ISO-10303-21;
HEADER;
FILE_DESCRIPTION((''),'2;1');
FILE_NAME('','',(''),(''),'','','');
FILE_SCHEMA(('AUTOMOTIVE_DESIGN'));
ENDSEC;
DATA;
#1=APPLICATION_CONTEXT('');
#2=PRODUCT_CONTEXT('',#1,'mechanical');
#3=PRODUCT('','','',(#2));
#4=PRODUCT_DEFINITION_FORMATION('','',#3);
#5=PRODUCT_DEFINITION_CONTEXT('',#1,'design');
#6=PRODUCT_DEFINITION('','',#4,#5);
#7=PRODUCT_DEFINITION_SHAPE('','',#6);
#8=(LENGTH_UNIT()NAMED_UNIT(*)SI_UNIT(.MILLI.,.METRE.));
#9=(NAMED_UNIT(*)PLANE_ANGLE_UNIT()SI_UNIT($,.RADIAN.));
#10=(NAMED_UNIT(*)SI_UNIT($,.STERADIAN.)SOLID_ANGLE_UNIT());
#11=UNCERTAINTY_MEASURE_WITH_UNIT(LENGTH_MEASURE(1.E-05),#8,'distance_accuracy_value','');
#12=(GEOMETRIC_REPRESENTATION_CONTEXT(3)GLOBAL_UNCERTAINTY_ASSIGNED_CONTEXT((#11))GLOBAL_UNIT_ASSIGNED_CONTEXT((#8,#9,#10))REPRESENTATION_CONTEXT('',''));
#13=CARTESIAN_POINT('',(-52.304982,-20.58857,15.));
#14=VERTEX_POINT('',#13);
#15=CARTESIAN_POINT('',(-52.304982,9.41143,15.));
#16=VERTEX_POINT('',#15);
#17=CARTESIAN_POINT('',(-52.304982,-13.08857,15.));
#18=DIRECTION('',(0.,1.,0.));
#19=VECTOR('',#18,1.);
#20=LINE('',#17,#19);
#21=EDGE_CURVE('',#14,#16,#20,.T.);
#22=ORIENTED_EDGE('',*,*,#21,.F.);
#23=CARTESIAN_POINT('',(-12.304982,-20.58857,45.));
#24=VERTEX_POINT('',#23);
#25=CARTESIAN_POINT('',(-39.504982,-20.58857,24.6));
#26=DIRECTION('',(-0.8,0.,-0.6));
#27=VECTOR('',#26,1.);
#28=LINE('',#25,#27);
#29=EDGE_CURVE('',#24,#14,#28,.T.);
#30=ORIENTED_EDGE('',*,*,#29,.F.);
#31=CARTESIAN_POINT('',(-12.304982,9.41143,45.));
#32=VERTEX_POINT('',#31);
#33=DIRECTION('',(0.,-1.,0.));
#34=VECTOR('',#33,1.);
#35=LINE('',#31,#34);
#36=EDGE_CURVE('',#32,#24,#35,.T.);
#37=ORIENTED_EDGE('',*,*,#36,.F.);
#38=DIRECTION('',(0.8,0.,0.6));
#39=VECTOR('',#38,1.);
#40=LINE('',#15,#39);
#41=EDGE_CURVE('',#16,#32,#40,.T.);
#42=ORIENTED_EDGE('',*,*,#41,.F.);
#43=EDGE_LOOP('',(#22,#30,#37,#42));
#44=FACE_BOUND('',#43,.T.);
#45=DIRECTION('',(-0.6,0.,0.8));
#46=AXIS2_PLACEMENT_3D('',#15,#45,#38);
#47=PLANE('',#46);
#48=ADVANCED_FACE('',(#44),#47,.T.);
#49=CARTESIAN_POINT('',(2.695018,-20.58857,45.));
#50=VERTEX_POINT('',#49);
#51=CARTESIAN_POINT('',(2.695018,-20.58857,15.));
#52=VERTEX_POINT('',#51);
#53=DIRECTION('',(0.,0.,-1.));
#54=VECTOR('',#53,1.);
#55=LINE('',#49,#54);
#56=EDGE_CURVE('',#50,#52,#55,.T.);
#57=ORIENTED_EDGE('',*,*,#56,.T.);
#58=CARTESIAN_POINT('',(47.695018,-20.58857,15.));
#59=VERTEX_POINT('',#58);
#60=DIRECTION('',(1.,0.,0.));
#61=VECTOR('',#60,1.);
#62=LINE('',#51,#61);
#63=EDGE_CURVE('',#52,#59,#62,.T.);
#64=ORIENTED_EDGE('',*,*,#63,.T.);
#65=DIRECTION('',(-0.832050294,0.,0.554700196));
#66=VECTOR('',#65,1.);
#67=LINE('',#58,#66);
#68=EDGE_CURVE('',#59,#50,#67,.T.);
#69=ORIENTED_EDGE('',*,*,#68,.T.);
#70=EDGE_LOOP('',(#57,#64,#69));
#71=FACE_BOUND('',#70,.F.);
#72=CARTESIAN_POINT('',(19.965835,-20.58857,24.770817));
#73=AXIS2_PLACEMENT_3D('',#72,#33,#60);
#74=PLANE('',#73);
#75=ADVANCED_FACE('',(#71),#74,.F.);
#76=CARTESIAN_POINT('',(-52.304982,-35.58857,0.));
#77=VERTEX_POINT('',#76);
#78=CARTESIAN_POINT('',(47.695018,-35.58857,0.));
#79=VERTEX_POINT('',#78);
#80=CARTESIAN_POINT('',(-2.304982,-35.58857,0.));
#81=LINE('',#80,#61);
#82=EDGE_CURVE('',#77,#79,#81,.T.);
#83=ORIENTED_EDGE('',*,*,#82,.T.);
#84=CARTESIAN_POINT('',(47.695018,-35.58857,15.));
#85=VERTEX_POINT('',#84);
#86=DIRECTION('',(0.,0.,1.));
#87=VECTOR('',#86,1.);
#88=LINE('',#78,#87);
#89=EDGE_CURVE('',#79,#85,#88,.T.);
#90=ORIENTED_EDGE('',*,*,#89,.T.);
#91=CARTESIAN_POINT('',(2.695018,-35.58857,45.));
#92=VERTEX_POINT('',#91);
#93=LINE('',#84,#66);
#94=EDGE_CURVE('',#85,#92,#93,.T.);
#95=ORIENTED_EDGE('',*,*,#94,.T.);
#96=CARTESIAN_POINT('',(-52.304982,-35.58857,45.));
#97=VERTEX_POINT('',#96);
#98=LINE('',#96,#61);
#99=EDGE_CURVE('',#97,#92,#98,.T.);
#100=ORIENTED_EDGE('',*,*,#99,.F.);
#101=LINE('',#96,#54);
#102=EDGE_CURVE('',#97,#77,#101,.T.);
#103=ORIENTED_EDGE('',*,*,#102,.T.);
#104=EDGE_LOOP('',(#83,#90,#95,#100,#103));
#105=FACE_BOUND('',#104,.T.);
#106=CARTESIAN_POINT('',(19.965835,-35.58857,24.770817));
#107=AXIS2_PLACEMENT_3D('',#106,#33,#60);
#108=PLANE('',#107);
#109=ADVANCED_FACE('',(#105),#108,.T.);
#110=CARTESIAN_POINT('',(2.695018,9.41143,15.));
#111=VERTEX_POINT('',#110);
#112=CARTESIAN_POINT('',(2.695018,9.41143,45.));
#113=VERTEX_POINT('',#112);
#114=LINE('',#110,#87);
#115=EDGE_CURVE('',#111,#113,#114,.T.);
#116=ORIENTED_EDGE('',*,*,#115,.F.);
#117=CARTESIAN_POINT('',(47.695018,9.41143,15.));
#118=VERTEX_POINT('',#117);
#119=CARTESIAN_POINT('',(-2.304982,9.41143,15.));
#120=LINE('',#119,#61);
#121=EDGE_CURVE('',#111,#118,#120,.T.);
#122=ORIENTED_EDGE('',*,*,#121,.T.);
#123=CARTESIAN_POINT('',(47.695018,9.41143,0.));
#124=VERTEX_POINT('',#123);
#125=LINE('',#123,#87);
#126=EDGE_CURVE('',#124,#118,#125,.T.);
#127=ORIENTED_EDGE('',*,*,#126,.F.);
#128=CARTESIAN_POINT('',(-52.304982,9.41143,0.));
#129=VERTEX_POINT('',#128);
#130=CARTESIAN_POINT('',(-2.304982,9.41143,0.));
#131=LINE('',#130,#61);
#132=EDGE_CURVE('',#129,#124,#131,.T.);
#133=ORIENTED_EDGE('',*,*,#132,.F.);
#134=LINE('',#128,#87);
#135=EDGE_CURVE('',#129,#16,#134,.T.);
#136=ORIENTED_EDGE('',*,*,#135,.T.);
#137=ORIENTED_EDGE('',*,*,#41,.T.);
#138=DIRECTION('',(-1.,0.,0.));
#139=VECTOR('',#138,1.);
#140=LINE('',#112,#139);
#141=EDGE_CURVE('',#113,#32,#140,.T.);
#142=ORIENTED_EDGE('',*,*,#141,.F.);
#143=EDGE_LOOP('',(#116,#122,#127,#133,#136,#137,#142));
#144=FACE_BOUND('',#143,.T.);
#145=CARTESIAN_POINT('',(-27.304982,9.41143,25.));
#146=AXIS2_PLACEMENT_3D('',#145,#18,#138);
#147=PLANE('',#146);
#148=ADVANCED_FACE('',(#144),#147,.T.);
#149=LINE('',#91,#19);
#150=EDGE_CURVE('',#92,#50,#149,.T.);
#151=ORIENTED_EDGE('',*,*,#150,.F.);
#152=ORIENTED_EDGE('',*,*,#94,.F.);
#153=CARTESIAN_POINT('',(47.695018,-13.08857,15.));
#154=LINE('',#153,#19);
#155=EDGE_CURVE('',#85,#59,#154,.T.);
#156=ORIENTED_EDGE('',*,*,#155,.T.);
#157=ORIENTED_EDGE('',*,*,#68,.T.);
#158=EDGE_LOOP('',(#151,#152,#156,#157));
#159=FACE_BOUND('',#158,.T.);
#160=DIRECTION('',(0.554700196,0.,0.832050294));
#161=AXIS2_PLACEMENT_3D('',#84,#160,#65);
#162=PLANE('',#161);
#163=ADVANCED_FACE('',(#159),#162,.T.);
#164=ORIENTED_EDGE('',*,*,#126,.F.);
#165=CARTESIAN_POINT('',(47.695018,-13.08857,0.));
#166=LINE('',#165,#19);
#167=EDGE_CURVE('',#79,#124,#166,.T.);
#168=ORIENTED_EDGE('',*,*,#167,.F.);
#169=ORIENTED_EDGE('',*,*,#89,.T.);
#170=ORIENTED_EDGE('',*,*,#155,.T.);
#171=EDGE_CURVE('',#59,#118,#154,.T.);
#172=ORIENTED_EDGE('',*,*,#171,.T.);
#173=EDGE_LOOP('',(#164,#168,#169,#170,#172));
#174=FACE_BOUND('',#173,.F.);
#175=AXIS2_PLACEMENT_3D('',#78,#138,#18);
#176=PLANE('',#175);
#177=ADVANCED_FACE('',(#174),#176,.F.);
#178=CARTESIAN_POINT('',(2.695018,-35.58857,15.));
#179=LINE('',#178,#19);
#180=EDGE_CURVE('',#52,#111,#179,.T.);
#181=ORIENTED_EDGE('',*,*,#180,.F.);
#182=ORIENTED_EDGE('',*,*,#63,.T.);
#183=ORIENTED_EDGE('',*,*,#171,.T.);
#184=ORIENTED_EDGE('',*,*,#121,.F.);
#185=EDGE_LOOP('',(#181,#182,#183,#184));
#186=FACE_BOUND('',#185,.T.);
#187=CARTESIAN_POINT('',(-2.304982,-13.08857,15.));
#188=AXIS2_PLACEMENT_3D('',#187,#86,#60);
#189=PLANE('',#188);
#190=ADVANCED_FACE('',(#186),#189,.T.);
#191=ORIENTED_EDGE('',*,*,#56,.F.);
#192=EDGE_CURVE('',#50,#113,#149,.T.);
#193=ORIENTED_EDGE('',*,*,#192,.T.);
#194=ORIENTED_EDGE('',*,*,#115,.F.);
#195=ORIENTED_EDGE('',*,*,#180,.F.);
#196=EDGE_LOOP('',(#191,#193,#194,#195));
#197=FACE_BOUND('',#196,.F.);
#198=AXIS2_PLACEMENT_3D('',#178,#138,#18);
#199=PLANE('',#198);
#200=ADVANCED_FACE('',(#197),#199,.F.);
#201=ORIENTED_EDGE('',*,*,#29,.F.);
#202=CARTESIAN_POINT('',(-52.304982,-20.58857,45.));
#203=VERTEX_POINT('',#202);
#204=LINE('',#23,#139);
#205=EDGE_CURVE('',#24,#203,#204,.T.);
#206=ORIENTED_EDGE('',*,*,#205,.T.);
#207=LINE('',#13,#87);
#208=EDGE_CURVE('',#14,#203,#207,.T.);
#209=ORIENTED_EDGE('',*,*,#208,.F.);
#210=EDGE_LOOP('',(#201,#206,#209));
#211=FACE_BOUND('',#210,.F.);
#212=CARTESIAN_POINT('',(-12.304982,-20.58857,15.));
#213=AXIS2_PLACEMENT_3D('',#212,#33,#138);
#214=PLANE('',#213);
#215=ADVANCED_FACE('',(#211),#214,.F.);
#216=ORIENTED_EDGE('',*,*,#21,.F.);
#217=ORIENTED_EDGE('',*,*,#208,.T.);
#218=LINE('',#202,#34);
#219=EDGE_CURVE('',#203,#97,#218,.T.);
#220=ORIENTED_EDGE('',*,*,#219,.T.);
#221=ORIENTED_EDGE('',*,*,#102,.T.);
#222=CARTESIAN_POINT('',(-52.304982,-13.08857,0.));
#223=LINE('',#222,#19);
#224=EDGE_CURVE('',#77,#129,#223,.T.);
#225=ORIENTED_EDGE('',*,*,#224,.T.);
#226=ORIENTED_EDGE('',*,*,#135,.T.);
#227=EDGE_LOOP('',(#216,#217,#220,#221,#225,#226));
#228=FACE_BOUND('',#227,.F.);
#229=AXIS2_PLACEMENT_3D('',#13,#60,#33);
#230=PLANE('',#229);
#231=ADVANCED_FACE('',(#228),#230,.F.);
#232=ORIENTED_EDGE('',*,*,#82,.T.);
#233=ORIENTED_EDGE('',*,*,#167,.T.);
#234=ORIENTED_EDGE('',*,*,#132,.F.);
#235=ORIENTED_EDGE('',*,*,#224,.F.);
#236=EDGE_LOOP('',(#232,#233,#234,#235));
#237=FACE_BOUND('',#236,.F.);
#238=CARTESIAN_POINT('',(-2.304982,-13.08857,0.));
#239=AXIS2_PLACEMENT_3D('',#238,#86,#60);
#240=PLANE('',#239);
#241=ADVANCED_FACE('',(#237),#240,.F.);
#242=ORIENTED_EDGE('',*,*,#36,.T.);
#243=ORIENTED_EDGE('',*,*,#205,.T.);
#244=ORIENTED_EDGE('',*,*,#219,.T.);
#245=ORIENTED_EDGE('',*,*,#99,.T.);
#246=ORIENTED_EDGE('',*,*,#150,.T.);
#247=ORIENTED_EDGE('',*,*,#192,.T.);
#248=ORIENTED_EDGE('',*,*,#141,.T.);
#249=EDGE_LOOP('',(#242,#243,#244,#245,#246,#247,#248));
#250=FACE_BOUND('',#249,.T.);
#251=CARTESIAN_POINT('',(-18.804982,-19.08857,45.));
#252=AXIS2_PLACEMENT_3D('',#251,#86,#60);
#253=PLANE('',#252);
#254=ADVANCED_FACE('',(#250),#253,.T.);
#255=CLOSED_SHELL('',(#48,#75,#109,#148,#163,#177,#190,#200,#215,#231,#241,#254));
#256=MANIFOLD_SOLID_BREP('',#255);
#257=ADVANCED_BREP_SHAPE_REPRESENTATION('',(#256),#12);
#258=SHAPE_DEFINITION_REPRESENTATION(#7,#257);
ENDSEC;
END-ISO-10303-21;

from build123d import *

# Parameters (mm, degrees)
F0_W     = 100
F0_H     = 45
F1_DEPTH = 15
F3_DEPTH = 30
F5_DEPTH = 33
F7_DEPTH = 15


with BuildPart() as f1:
    # F0 (on Top) → F1 (new body)
    with BuildSketch(Plane.XY):
        with Locations((-2.304982, -13.08857)):
            Rectangle(F0_W, F0_H)
    extrude(amount=F1_DEPTH)

    # F2 (on face) → F3 (join)
    with BuildSketch(Plane.XY.offset(15)):
        Polygon((2.695018, -35.58857), (2.695018, 9.41143), (-12.304982, 9.41143), (-12.304982, -20.58857), (-52.304982, -20.58857), (-52.304982, -35.58857), (-12.304982, -35.58857), align=None)
    extrude(amount=F3_DEPTH)

    # F4 (on face) → F5 (join)
    with BuildSketch(Plane(origin=(0, 9.41143, 0), x_dir=(-1, 0, 0), z_dir=(0, 1, 0))):
        Polygon((52.304982, 15), (12.304982, 45), (12.304982, 15), align=None)
    extrude(amount=-F5_DEPTH)

    # F6 (on face) → F7 (join)
    with BuildSketch(Plane.XZ.offset(35.58857)):
        Polygon((47.695018, 15), (2.695018, 45), (2.695018, 15), align=None)
    extrude(amount=-F7_DEPTH)


solid = f1.part
